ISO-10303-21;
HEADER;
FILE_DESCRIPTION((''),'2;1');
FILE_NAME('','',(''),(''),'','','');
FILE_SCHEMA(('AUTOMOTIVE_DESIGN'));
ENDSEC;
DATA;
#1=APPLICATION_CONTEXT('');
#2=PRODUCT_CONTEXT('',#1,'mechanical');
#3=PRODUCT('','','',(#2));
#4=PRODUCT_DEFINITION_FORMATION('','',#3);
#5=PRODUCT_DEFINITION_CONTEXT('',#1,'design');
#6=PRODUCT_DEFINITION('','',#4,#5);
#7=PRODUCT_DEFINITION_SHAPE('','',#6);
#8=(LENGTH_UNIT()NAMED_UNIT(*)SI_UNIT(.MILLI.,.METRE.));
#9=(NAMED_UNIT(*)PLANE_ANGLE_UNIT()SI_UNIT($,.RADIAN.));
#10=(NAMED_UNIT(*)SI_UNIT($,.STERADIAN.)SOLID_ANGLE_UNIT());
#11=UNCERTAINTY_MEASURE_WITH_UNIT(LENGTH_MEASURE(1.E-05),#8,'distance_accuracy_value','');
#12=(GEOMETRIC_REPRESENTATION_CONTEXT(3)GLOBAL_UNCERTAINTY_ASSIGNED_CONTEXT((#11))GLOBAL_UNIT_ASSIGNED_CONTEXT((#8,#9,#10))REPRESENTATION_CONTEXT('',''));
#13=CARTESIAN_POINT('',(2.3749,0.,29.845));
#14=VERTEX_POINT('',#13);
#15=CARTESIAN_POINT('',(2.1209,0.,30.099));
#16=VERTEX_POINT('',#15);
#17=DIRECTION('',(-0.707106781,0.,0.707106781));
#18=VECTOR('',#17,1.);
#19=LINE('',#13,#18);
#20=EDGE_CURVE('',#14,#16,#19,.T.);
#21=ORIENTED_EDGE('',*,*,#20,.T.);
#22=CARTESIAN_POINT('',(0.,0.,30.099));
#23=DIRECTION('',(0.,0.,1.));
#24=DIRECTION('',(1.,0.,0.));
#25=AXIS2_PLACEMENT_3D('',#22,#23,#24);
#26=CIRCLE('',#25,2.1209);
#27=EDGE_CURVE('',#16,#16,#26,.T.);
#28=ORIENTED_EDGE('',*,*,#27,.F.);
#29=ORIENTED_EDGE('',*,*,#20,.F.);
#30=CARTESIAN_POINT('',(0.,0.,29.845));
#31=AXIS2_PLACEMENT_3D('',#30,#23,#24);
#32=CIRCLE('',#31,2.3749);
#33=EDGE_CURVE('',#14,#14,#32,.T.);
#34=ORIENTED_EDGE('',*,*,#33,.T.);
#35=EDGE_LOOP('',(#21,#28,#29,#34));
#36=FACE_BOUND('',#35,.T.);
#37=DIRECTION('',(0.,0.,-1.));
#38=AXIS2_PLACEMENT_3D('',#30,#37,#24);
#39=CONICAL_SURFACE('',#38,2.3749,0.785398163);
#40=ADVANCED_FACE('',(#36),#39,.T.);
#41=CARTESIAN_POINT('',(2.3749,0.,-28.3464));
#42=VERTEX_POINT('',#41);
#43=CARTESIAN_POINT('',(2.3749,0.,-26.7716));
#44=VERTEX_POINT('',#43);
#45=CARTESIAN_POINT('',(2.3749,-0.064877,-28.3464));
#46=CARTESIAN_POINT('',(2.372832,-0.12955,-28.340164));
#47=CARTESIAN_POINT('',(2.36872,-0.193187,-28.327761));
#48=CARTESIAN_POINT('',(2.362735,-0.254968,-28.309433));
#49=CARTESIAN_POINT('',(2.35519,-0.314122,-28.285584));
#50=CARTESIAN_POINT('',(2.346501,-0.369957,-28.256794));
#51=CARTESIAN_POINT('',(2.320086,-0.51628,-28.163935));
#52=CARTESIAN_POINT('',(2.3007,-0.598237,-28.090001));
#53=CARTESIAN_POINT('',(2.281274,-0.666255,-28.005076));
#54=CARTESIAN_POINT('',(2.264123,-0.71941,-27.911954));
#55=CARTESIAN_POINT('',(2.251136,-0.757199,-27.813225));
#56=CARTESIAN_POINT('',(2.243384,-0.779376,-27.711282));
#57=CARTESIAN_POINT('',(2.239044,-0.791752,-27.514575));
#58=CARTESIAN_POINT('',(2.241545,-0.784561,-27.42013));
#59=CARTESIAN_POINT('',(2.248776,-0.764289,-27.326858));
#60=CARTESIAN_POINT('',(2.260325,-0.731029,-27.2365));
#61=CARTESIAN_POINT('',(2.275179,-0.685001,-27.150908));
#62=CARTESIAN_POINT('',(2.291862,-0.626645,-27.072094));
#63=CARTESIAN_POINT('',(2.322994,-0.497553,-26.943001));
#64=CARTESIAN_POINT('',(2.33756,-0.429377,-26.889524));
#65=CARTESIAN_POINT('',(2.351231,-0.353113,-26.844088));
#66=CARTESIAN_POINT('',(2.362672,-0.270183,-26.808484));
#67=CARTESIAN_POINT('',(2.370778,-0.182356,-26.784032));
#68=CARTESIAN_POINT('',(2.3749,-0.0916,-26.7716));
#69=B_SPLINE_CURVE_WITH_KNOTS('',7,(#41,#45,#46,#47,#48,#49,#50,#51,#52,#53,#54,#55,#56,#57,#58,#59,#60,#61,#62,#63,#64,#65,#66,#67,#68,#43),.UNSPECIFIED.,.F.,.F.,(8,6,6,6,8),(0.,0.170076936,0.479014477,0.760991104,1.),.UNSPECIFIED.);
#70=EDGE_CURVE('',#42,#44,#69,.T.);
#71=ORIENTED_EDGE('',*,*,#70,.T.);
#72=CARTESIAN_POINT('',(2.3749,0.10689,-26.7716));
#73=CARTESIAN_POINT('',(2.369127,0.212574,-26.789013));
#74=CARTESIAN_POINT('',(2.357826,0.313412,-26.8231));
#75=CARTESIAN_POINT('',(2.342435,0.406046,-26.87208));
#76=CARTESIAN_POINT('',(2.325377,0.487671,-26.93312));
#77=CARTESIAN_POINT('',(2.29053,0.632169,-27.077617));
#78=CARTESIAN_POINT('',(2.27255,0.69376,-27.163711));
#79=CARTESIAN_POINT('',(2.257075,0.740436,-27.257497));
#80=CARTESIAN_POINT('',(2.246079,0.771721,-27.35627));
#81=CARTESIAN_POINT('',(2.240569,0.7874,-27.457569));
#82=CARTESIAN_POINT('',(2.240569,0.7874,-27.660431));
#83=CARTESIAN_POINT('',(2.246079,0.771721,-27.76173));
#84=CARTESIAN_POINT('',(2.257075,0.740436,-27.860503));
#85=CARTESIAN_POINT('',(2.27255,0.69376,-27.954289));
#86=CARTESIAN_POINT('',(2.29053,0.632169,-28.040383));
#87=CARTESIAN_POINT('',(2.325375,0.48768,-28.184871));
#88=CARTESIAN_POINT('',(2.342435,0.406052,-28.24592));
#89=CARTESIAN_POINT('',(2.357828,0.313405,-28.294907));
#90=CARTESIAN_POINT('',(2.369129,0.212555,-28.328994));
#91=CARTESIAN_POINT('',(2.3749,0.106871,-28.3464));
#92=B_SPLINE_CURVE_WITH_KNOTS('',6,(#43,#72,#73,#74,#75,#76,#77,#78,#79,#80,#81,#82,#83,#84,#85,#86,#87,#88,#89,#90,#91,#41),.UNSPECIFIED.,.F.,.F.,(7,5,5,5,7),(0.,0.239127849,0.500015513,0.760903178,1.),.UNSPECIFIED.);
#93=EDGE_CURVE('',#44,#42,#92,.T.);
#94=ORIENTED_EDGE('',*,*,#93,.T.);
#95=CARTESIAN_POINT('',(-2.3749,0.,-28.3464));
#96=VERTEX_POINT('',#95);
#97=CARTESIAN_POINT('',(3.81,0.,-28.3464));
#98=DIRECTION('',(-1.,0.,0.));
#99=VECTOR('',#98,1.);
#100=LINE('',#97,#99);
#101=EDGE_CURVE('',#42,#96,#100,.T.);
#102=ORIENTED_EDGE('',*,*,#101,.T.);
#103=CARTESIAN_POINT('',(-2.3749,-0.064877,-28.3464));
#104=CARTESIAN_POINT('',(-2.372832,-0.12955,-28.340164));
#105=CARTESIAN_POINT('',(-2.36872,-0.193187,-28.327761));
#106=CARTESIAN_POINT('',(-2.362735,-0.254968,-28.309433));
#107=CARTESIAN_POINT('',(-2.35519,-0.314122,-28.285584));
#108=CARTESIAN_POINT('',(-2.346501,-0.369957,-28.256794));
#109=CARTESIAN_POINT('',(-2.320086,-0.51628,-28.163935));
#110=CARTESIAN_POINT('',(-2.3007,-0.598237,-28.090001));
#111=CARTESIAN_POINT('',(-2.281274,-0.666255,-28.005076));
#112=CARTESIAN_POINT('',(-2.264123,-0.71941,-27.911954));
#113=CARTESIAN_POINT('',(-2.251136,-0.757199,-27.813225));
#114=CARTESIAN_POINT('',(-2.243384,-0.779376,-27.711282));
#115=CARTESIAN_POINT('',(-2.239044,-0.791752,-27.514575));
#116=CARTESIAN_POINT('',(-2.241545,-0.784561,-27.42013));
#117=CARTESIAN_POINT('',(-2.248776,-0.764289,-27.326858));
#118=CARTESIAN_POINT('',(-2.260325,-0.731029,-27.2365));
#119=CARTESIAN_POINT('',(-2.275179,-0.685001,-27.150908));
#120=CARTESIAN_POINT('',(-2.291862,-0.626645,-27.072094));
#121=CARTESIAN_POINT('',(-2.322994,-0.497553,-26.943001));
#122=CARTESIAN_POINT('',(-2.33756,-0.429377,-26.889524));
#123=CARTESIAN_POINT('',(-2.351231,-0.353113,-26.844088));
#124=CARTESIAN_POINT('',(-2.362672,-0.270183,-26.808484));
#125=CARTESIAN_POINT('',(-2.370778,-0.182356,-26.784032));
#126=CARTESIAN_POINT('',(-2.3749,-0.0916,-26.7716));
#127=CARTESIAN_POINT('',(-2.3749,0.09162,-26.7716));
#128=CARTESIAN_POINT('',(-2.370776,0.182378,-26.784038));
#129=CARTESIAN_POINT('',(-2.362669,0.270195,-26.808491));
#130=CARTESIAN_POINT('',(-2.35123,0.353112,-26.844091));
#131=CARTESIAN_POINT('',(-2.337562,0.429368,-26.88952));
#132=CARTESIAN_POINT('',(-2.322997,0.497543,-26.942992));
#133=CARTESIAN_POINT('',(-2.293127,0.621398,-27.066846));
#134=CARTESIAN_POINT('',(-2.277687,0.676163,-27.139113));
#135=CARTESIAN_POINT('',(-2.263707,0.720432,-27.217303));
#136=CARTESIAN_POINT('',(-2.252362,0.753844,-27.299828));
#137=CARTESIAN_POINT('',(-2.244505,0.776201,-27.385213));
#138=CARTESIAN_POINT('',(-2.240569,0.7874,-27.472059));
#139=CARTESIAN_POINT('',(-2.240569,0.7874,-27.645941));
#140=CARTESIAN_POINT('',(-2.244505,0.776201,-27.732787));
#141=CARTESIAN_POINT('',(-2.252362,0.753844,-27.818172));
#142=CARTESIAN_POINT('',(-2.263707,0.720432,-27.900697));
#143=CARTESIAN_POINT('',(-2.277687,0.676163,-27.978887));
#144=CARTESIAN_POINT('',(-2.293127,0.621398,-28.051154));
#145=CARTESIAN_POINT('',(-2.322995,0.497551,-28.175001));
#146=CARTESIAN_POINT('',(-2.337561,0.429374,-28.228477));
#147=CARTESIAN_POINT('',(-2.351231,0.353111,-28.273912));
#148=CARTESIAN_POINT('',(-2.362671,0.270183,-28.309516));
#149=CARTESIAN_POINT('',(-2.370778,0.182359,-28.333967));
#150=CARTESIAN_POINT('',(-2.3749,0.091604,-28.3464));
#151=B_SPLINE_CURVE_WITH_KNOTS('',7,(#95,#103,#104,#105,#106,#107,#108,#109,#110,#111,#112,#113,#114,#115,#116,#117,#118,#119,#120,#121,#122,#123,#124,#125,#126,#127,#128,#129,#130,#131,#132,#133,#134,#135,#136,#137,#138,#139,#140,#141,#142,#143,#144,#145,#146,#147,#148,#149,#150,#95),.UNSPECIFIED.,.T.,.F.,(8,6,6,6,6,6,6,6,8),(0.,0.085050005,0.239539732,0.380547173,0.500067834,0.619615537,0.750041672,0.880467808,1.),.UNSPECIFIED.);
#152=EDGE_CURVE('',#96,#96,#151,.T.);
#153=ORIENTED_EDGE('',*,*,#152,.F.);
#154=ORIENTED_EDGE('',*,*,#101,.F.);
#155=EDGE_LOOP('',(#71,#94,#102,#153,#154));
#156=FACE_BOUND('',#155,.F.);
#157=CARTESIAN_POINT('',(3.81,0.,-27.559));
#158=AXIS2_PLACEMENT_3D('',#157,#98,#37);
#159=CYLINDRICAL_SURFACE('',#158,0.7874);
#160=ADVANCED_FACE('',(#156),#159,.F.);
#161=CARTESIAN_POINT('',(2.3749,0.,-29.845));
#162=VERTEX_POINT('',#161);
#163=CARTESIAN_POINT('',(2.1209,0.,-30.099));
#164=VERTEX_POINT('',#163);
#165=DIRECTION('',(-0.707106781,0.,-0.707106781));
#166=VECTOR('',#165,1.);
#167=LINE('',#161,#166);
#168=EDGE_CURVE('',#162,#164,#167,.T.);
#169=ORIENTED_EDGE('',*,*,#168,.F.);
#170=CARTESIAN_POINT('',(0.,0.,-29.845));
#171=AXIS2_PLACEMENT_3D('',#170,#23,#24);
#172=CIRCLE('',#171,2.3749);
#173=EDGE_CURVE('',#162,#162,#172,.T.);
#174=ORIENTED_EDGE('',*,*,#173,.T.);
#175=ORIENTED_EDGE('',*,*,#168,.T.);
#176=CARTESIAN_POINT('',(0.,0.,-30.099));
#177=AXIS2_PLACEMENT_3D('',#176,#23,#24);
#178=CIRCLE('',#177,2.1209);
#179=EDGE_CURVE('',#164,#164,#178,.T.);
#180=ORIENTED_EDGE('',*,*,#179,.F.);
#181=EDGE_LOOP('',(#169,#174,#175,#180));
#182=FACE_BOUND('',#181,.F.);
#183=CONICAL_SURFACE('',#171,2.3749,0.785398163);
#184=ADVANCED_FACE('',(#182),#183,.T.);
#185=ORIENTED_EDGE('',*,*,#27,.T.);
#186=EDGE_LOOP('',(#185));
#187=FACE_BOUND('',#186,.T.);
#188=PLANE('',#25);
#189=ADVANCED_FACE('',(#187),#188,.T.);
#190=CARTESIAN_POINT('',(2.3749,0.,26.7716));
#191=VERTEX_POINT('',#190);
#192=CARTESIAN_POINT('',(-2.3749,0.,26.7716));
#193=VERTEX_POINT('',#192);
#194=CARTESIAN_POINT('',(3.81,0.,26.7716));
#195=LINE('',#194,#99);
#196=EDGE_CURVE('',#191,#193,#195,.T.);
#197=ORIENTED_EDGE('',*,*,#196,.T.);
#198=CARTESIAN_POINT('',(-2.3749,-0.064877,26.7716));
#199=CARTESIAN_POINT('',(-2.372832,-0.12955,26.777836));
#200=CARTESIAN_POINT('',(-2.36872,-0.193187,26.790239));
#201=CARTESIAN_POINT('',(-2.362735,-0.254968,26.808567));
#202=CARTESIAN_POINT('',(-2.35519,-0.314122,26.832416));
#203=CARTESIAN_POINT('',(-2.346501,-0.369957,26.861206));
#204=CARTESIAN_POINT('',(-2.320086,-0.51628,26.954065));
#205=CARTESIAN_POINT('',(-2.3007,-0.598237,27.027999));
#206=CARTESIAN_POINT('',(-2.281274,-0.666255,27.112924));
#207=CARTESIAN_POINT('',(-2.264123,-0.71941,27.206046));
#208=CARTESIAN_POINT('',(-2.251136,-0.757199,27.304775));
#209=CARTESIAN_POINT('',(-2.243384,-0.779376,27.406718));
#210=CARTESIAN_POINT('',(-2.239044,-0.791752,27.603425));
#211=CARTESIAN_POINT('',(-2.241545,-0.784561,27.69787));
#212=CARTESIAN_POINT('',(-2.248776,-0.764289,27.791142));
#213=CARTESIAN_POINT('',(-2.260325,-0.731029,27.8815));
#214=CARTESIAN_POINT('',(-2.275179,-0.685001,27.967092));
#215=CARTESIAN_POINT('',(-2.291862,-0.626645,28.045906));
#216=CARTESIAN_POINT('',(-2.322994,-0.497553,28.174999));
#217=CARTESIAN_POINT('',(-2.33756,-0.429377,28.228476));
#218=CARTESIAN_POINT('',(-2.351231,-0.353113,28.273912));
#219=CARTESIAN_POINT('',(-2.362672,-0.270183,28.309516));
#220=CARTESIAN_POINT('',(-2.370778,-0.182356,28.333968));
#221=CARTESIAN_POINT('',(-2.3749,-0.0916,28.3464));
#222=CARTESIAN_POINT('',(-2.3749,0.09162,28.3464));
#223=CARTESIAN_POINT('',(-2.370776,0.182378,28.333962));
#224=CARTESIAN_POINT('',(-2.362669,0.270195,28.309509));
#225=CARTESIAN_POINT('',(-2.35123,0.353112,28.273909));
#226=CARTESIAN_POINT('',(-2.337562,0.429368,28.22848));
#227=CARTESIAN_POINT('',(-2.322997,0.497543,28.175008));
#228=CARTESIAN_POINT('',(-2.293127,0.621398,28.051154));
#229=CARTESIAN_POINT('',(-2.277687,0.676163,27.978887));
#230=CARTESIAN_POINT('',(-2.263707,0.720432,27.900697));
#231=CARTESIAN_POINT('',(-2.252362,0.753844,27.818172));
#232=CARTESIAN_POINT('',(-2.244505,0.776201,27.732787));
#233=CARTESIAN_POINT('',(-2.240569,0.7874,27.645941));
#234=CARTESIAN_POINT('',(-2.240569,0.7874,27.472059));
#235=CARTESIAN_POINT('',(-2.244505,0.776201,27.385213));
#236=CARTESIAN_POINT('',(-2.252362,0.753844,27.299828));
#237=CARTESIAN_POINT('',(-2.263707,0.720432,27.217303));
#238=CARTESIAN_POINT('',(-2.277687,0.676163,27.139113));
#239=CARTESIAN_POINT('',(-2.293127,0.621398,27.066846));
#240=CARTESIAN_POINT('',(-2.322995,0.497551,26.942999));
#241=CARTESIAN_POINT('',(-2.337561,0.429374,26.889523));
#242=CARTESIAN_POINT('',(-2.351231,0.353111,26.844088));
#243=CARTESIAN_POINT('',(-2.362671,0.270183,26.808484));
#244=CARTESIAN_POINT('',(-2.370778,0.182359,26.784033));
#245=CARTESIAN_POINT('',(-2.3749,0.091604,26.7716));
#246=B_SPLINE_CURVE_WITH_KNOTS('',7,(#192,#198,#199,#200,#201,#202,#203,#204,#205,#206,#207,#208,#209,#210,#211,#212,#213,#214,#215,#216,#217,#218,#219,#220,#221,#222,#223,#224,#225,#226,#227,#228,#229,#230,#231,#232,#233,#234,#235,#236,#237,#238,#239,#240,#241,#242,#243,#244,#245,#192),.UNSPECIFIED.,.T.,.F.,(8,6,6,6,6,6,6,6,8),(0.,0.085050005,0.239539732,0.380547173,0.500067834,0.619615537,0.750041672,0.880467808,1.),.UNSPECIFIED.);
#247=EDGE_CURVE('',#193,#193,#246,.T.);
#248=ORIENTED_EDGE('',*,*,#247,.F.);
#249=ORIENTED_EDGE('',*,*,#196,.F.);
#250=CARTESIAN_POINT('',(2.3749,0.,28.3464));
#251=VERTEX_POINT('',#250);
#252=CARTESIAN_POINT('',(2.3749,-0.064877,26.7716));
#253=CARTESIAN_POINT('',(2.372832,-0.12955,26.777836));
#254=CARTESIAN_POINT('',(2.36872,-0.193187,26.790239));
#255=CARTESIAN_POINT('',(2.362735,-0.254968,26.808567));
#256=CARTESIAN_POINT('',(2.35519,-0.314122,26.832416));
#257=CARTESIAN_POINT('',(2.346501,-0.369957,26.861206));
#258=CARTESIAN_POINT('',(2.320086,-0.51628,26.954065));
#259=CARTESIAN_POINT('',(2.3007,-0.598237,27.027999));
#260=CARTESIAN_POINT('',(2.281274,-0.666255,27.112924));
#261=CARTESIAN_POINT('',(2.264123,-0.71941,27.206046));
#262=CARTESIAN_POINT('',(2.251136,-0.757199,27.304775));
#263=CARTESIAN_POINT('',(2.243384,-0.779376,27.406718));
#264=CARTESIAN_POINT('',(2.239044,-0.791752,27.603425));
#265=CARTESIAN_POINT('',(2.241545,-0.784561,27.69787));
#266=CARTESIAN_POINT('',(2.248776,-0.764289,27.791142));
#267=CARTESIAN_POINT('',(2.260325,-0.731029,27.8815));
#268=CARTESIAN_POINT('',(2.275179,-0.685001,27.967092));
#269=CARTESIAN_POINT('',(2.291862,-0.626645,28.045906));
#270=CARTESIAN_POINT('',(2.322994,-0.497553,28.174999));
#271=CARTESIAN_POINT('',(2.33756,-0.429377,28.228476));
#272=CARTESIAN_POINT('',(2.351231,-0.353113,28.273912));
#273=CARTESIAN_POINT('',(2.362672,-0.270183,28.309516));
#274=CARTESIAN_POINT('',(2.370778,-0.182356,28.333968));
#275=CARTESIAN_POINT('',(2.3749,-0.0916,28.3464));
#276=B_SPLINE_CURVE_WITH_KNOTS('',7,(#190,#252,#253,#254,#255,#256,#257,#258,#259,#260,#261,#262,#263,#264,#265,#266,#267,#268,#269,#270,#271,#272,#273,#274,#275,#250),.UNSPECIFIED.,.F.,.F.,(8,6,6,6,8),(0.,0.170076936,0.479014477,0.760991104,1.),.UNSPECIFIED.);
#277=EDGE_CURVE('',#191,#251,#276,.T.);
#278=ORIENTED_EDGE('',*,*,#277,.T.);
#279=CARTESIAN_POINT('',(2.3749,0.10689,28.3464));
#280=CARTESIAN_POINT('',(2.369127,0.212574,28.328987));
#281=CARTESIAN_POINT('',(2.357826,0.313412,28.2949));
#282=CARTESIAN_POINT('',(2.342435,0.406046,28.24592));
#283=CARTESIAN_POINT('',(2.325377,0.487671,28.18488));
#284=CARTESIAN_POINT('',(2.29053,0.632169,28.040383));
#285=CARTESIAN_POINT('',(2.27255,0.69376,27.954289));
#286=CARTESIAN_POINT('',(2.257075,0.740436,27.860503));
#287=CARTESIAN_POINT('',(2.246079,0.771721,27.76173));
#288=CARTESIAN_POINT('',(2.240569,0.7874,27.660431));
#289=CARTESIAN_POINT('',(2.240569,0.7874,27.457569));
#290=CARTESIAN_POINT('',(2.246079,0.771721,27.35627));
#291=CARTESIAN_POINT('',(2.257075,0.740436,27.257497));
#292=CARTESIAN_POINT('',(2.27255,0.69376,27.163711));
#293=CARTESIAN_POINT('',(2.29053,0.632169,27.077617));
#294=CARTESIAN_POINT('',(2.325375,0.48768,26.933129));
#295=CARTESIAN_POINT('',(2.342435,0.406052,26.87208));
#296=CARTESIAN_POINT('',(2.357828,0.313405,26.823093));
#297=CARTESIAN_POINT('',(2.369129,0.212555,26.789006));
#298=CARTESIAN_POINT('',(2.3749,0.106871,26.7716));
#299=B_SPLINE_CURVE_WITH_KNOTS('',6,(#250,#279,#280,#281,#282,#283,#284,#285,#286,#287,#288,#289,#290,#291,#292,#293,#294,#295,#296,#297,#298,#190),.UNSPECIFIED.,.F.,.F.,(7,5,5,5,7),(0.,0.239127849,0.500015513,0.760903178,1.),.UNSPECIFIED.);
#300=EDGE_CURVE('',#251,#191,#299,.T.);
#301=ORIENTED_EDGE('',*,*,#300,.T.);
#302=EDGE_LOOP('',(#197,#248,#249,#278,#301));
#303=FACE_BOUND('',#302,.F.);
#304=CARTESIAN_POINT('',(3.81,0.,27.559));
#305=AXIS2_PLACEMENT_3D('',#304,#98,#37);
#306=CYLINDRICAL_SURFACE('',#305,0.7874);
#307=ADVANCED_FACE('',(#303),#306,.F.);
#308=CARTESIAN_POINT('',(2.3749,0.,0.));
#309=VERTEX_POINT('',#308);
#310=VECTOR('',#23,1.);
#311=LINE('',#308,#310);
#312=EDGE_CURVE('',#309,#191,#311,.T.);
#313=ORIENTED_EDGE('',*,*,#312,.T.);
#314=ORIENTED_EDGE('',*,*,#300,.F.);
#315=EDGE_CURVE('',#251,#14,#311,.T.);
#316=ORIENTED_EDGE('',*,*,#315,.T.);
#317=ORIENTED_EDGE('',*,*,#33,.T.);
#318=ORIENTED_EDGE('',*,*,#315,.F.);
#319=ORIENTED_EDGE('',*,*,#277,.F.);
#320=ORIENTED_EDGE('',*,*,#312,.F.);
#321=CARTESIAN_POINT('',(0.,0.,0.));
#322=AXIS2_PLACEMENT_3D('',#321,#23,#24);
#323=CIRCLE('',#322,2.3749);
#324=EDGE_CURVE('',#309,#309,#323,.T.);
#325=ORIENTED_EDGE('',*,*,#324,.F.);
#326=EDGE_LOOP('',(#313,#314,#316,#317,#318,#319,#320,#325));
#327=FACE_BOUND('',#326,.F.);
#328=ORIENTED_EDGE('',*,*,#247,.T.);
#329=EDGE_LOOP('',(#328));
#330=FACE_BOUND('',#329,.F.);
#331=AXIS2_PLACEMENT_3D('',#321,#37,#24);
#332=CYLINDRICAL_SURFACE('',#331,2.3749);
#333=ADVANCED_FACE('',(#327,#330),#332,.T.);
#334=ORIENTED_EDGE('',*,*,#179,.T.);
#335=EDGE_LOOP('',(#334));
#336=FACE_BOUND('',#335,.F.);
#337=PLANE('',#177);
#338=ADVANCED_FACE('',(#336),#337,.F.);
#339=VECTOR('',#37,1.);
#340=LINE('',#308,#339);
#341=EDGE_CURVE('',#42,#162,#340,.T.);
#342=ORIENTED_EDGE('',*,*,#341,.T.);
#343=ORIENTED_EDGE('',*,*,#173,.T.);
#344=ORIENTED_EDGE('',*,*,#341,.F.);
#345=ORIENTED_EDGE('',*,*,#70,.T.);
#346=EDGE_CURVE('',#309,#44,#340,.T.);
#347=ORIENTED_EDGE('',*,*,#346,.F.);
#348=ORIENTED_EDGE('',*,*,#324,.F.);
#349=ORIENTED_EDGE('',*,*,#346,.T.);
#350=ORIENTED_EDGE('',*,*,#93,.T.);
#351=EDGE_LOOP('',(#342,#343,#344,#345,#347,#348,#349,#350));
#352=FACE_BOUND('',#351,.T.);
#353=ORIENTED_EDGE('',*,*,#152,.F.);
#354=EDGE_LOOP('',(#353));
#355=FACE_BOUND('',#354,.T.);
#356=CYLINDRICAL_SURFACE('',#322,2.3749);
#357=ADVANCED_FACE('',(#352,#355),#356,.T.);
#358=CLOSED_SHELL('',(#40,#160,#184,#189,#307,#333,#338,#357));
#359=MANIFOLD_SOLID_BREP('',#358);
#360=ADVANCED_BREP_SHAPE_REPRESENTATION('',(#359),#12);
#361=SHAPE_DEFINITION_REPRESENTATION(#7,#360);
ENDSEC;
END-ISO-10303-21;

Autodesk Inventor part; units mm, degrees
ref_plane "Work Plane1" through (3.81, 0, 0) normal (1, 0, 0) x (0, 1, 0)
sketch "Sketch2" plane through (3.81, 0, 0) normal (1, 0, 0) x (0, 1, 0)
  line L0 (-38.5826, 0) -> (38.5826, 0) projected
  line L1 (0, 38.5826) -> (0, -38.5826) projected
  point P0 (0, 0)
  point P1 (0, 27.559)
  point P2 (0, -27.559)
  dimension "d6" = 55.118
  dimension "d7" = 27.559
sketch "Sketch1" plane through (0, 0, 0) normal (0, 0, 1) x (1, 0, 0)
  circle A0 centre (0, 0) radius 2.3749
  dimension "d0" = 4.7498
extrude "Extrusion1" add sketch "Sketch1" along normal mid plane 60.198
chamfer "Chamfer1" distance 0.254 angle 45 2 edges at (-2.3749, 0, 30.099) (-2.3749, 0, -30.099)
hole "Hole1" at (3.81, 0, 27.559) at (3.81, 0, -27.559) direction (-1, 0, 0) diameter 1.5748 end through all
equation "\"d7\" = 0.5 * d6"
properties part number "J005527" material "ALUMINUM, 6061-T651"
